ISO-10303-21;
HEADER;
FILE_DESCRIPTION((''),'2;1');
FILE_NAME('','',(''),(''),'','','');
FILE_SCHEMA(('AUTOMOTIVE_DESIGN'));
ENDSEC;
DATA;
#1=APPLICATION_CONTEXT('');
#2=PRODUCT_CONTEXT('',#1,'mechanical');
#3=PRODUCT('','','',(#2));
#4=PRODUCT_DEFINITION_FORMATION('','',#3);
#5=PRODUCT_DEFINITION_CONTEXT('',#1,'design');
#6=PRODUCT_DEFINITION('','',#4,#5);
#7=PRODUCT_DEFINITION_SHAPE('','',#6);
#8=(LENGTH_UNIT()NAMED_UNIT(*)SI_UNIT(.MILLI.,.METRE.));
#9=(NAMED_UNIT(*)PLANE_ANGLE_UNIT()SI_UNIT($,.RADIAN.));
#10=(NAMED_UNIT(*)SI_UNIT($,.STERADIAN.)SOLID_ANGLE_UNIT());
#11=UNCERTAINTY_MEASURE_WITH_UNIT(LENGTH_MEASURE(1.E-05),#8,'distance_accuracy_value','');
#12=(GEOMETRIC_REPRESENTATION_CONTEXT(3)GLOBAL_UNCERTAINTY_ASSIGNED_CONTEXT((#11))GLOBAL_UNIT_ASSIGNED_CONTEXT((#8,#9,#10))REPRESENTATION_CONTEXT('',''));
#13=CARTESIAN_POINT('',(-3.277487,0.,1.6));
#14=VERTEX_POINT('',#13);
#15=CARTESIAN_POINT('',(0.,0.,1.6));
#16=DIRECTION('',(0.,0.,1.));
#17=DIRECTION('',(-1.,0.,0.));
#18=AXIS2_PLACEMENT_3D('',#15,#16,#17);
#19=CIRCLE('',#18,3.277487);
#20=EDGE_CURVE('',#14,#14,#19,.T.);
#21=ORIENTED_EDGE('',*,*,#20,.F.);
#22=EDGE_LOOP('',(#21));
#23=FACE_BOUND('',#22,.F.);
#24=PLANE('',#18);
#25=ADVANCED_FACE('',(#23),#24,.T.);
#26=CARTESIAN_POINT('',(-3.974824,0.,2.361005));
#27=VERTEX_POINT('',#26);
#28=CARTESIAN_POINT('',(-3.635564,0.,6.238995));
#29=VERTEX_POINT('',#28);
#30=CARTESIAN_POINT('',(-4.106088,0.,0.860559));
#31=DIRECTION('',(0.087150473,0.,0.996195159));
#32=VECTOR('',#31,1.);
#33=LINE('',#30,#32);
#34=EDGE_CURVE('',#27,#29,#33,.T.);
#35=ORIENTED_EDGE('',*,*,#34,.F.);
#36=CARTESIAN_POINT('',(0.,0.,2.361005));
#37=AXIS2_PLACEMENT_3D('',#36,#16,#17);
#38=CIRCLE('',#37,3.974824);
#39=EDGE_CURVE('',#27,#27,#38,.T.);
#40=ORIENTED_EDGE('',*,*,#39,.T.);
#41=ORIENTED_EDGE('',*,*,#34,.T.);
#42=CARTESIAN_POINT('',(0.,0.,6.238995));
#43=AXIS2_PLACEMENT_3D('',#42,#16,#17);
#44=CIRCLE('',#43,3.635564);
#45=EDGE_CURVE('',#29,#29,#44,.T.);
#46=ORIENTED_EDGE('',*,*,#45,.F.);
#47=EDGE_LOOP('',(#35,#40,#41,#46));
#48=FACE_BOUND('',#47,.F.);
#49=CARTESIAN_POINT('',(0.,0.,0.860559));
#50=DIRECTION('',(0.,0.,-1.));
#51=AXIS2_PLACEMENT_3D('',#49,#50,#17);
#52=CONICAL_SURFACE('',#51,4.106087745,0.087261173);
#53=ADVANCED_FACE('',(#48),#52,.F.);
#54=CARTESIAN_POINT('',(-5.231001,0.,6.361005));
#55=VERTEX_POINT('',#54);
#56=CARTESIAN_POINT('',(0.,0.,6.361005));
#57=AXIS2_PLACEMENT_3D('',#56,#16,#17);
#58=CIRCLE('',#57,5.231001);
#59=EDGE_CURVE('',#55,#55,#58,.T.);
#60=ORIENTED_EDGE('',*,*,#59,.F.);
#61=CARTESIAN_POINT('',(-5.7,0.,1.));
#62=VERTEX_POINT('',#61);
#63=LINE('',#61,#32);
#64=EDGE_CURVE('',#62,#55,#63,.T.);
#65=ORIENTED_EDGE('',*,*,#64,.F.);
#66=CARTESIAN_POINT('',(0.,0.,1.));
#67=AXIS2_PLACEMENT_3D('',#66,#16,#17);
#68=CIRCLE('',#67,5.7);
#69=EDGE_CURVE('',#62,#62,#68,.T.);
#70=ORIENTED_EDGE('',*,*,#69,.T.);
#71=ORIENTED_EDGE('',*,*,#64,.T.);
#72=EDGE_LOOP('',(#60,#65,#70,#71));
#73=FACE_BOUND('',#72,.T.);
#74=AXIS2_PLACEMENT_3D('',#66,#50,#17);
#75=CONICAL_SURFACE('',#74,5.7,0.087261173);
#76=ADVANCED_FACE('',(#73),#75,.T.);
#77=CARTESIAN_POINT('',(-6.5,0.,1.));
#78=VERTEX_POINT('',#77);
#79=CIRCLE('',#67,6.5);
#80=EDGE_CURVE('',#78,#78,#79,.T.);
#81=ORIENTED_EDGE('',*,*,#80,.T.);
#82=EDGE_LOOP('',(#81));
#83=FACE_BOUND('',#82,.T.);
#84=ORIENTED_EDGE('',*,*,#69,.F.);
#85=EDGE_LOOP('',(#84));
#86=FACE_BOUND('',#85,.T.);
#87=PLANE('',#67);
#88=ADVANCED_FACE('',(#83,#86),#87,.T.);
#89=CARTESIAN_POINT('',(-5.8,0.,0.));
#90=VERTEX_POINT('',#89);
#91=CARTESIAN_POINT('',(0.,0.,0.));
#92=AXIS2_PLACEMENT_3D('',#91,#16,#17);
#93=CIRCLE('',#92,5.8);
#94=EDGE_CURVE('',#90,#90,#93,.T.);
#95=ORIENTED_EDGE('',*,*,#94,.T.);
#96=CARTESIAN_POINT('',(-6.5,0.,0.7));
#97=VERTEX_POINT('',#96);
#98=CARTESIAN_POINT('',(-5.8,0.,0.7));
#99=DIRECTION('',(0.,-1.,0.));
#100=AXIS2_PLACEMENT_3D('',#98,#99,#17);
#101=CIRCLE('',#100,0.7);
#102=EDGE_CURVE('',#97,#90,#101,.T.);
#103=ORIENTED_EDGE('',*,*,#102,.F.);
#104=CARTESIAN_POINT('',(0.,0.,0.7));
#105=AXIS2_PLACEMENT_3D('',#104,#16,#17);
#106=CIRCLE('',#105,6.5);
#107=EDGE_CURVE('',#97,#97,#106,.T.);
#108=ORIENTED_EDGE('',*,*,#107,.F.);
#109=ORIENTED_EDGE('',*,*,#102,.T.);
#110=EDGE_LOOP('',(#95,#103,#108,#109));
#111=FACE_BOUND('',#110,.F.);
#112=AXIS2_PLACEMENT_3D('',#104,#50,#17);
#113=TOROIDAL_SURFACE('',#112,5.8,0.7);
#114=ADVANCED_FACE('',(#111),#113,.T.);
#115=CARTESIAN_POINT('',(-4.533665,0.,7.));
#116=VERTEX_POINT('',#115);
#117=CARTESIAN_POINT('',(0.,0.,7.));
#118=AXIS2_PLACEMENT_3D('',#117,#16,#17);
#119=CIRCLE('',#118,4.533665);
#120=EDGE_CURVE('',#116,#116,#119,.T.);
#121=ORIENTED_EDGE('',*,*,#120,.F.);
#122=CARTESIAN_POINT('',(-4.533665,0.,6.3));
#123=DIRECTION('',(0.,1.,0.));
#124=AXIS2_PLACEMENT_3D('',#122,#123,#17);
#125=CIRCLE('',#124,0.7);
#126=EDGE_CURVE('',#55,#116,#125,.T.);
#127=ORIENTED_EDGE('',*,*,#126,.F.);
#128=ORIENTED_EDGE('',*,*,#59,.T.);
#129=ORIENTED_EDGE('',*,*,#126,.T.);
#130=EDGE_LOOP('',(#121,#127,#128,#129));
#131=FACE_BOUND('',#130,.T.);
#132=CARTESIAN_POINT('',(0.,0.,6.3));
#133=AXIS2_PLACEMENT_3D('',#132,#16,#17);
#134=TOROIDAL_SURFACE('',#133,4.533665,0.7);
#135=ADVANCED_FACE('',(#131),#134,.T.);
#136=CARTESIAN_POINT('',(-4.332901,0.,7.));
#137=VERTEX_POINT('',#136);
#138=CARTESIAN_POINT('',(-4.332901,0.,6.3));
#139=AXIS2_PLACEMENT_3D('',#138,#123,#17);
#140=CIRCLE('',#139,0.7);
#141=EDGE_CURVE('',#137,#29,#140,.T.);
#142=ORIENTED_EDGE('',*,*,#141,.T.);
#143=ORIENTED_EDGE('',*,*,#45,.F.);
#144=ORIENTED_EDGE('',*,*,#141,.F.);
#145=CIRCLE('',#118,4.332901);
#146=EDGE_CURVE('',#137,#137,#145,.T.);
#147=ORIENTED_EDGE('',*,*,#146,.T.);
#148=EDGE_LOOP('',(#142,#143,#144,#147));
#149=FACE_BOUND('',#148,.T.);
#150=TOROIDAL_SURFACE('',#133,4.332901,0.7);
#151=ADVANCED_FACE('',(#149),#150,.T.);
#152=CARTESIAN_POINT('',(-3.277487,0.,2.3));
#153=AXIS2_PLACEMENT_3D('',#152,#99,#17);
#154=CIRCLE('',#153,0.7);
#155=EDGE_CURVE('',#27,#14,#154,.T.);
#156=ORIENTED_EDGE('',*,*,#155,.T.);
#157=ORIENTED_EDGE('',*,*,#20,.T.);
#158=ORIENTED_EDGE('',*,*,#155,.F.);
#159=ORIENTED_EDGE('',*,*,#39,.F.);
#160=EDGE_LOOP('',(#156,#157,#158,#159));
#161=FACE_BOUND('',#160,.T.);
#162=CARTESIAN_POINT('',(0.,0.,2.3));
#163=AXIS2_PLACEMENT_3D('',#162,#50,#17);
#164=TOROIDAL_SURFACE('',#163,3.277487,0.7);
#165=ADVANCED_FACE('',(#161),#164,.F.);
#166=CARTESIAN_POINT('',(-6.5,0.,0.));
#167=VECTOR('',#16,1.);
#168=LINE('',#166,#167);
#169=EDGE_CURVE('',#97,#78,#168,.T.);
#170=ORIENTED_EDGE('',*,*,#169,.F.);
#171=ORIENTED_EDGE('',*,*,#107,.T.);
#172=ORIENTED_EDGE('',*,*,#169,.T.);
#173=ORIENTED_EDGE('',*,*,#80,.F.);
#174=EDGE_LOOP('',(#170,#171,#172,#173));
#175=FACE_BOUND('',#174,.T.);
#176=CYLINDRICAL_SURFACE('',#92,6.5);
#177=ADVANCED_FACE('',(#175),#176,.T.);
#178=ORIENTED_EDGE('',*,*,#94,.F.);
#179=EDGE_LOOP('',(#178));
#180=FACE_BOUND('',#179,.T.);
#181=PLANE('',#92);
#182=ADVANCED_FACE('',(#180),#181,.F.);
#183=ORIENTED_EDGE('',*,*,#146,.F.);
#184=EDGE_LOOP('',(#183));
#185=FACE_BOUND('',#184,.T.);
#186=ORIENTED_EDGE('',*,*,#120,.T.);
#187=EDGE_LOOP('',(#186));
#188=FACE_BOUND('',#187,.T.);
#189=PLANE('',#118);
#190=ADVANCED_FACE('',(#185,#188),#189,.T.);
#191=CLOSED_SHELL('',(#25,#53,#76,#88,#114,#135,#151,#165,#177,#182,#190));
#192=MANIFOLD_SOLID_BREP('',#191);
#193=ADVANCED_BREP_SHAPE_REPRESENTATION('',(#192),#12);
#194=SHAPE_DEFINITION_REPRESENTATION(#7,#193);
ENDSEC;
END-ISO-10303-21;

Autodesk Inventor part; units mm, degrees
ref_plane "YZ Plane" through (0, 0, 0) normal (1, 0, 0) x (0, 1, 0)
ref_plane "XZ Plane" through (0, 0, 0) normal (0, 1, 0) x (-1, 0, 0)
ref_plane "XY Plane" through (0, 0, 0) normal (0, 0, 1) x (1, 0, 0)
sketch "Skizze1" plane through (0, 0, 0) normal (0, 1, 0) x (-1, 0, 0)
  line L0 (0, 0) -> (6.5, 0)
  line L1 (6.5, 0) -> (6.5, 1)
  line L2 (6.5, 1) -> (5.7, 1)
  line L3 (5.7, 1) -> (5.1751, 7)
  line L4 (5.1751, 7) -> (0, 7)
  line L5 (0, 7) -> (0, 0)
  line L6 (0, -2.278) -> (0, 8.6565) construction
  dimension "d0" = 6.5
  dimension "d1" = 1
  dimension "d2" = 7
  dimension "d3" = 95
  dimension "d4" = 5.7
revolve "Umdrehung1" add sketch "Skizze1" angle 360 about axis through (0, 0, -2.278) along (0, 0, 1)
fillet "Rundung1" radius 0.7 1 edges at (6.5, 0, 0)
shell "Wandung1" thickness 1.6 removed faces 1 at (1.38, 0.4128, 7)
fillet "Rundung2" radius 0.7 3 edges at (5.1751, 0, 7) (3.569, 0, 7) (4.0414, 0, 1.6)
properties part number "FED ttl plug"
